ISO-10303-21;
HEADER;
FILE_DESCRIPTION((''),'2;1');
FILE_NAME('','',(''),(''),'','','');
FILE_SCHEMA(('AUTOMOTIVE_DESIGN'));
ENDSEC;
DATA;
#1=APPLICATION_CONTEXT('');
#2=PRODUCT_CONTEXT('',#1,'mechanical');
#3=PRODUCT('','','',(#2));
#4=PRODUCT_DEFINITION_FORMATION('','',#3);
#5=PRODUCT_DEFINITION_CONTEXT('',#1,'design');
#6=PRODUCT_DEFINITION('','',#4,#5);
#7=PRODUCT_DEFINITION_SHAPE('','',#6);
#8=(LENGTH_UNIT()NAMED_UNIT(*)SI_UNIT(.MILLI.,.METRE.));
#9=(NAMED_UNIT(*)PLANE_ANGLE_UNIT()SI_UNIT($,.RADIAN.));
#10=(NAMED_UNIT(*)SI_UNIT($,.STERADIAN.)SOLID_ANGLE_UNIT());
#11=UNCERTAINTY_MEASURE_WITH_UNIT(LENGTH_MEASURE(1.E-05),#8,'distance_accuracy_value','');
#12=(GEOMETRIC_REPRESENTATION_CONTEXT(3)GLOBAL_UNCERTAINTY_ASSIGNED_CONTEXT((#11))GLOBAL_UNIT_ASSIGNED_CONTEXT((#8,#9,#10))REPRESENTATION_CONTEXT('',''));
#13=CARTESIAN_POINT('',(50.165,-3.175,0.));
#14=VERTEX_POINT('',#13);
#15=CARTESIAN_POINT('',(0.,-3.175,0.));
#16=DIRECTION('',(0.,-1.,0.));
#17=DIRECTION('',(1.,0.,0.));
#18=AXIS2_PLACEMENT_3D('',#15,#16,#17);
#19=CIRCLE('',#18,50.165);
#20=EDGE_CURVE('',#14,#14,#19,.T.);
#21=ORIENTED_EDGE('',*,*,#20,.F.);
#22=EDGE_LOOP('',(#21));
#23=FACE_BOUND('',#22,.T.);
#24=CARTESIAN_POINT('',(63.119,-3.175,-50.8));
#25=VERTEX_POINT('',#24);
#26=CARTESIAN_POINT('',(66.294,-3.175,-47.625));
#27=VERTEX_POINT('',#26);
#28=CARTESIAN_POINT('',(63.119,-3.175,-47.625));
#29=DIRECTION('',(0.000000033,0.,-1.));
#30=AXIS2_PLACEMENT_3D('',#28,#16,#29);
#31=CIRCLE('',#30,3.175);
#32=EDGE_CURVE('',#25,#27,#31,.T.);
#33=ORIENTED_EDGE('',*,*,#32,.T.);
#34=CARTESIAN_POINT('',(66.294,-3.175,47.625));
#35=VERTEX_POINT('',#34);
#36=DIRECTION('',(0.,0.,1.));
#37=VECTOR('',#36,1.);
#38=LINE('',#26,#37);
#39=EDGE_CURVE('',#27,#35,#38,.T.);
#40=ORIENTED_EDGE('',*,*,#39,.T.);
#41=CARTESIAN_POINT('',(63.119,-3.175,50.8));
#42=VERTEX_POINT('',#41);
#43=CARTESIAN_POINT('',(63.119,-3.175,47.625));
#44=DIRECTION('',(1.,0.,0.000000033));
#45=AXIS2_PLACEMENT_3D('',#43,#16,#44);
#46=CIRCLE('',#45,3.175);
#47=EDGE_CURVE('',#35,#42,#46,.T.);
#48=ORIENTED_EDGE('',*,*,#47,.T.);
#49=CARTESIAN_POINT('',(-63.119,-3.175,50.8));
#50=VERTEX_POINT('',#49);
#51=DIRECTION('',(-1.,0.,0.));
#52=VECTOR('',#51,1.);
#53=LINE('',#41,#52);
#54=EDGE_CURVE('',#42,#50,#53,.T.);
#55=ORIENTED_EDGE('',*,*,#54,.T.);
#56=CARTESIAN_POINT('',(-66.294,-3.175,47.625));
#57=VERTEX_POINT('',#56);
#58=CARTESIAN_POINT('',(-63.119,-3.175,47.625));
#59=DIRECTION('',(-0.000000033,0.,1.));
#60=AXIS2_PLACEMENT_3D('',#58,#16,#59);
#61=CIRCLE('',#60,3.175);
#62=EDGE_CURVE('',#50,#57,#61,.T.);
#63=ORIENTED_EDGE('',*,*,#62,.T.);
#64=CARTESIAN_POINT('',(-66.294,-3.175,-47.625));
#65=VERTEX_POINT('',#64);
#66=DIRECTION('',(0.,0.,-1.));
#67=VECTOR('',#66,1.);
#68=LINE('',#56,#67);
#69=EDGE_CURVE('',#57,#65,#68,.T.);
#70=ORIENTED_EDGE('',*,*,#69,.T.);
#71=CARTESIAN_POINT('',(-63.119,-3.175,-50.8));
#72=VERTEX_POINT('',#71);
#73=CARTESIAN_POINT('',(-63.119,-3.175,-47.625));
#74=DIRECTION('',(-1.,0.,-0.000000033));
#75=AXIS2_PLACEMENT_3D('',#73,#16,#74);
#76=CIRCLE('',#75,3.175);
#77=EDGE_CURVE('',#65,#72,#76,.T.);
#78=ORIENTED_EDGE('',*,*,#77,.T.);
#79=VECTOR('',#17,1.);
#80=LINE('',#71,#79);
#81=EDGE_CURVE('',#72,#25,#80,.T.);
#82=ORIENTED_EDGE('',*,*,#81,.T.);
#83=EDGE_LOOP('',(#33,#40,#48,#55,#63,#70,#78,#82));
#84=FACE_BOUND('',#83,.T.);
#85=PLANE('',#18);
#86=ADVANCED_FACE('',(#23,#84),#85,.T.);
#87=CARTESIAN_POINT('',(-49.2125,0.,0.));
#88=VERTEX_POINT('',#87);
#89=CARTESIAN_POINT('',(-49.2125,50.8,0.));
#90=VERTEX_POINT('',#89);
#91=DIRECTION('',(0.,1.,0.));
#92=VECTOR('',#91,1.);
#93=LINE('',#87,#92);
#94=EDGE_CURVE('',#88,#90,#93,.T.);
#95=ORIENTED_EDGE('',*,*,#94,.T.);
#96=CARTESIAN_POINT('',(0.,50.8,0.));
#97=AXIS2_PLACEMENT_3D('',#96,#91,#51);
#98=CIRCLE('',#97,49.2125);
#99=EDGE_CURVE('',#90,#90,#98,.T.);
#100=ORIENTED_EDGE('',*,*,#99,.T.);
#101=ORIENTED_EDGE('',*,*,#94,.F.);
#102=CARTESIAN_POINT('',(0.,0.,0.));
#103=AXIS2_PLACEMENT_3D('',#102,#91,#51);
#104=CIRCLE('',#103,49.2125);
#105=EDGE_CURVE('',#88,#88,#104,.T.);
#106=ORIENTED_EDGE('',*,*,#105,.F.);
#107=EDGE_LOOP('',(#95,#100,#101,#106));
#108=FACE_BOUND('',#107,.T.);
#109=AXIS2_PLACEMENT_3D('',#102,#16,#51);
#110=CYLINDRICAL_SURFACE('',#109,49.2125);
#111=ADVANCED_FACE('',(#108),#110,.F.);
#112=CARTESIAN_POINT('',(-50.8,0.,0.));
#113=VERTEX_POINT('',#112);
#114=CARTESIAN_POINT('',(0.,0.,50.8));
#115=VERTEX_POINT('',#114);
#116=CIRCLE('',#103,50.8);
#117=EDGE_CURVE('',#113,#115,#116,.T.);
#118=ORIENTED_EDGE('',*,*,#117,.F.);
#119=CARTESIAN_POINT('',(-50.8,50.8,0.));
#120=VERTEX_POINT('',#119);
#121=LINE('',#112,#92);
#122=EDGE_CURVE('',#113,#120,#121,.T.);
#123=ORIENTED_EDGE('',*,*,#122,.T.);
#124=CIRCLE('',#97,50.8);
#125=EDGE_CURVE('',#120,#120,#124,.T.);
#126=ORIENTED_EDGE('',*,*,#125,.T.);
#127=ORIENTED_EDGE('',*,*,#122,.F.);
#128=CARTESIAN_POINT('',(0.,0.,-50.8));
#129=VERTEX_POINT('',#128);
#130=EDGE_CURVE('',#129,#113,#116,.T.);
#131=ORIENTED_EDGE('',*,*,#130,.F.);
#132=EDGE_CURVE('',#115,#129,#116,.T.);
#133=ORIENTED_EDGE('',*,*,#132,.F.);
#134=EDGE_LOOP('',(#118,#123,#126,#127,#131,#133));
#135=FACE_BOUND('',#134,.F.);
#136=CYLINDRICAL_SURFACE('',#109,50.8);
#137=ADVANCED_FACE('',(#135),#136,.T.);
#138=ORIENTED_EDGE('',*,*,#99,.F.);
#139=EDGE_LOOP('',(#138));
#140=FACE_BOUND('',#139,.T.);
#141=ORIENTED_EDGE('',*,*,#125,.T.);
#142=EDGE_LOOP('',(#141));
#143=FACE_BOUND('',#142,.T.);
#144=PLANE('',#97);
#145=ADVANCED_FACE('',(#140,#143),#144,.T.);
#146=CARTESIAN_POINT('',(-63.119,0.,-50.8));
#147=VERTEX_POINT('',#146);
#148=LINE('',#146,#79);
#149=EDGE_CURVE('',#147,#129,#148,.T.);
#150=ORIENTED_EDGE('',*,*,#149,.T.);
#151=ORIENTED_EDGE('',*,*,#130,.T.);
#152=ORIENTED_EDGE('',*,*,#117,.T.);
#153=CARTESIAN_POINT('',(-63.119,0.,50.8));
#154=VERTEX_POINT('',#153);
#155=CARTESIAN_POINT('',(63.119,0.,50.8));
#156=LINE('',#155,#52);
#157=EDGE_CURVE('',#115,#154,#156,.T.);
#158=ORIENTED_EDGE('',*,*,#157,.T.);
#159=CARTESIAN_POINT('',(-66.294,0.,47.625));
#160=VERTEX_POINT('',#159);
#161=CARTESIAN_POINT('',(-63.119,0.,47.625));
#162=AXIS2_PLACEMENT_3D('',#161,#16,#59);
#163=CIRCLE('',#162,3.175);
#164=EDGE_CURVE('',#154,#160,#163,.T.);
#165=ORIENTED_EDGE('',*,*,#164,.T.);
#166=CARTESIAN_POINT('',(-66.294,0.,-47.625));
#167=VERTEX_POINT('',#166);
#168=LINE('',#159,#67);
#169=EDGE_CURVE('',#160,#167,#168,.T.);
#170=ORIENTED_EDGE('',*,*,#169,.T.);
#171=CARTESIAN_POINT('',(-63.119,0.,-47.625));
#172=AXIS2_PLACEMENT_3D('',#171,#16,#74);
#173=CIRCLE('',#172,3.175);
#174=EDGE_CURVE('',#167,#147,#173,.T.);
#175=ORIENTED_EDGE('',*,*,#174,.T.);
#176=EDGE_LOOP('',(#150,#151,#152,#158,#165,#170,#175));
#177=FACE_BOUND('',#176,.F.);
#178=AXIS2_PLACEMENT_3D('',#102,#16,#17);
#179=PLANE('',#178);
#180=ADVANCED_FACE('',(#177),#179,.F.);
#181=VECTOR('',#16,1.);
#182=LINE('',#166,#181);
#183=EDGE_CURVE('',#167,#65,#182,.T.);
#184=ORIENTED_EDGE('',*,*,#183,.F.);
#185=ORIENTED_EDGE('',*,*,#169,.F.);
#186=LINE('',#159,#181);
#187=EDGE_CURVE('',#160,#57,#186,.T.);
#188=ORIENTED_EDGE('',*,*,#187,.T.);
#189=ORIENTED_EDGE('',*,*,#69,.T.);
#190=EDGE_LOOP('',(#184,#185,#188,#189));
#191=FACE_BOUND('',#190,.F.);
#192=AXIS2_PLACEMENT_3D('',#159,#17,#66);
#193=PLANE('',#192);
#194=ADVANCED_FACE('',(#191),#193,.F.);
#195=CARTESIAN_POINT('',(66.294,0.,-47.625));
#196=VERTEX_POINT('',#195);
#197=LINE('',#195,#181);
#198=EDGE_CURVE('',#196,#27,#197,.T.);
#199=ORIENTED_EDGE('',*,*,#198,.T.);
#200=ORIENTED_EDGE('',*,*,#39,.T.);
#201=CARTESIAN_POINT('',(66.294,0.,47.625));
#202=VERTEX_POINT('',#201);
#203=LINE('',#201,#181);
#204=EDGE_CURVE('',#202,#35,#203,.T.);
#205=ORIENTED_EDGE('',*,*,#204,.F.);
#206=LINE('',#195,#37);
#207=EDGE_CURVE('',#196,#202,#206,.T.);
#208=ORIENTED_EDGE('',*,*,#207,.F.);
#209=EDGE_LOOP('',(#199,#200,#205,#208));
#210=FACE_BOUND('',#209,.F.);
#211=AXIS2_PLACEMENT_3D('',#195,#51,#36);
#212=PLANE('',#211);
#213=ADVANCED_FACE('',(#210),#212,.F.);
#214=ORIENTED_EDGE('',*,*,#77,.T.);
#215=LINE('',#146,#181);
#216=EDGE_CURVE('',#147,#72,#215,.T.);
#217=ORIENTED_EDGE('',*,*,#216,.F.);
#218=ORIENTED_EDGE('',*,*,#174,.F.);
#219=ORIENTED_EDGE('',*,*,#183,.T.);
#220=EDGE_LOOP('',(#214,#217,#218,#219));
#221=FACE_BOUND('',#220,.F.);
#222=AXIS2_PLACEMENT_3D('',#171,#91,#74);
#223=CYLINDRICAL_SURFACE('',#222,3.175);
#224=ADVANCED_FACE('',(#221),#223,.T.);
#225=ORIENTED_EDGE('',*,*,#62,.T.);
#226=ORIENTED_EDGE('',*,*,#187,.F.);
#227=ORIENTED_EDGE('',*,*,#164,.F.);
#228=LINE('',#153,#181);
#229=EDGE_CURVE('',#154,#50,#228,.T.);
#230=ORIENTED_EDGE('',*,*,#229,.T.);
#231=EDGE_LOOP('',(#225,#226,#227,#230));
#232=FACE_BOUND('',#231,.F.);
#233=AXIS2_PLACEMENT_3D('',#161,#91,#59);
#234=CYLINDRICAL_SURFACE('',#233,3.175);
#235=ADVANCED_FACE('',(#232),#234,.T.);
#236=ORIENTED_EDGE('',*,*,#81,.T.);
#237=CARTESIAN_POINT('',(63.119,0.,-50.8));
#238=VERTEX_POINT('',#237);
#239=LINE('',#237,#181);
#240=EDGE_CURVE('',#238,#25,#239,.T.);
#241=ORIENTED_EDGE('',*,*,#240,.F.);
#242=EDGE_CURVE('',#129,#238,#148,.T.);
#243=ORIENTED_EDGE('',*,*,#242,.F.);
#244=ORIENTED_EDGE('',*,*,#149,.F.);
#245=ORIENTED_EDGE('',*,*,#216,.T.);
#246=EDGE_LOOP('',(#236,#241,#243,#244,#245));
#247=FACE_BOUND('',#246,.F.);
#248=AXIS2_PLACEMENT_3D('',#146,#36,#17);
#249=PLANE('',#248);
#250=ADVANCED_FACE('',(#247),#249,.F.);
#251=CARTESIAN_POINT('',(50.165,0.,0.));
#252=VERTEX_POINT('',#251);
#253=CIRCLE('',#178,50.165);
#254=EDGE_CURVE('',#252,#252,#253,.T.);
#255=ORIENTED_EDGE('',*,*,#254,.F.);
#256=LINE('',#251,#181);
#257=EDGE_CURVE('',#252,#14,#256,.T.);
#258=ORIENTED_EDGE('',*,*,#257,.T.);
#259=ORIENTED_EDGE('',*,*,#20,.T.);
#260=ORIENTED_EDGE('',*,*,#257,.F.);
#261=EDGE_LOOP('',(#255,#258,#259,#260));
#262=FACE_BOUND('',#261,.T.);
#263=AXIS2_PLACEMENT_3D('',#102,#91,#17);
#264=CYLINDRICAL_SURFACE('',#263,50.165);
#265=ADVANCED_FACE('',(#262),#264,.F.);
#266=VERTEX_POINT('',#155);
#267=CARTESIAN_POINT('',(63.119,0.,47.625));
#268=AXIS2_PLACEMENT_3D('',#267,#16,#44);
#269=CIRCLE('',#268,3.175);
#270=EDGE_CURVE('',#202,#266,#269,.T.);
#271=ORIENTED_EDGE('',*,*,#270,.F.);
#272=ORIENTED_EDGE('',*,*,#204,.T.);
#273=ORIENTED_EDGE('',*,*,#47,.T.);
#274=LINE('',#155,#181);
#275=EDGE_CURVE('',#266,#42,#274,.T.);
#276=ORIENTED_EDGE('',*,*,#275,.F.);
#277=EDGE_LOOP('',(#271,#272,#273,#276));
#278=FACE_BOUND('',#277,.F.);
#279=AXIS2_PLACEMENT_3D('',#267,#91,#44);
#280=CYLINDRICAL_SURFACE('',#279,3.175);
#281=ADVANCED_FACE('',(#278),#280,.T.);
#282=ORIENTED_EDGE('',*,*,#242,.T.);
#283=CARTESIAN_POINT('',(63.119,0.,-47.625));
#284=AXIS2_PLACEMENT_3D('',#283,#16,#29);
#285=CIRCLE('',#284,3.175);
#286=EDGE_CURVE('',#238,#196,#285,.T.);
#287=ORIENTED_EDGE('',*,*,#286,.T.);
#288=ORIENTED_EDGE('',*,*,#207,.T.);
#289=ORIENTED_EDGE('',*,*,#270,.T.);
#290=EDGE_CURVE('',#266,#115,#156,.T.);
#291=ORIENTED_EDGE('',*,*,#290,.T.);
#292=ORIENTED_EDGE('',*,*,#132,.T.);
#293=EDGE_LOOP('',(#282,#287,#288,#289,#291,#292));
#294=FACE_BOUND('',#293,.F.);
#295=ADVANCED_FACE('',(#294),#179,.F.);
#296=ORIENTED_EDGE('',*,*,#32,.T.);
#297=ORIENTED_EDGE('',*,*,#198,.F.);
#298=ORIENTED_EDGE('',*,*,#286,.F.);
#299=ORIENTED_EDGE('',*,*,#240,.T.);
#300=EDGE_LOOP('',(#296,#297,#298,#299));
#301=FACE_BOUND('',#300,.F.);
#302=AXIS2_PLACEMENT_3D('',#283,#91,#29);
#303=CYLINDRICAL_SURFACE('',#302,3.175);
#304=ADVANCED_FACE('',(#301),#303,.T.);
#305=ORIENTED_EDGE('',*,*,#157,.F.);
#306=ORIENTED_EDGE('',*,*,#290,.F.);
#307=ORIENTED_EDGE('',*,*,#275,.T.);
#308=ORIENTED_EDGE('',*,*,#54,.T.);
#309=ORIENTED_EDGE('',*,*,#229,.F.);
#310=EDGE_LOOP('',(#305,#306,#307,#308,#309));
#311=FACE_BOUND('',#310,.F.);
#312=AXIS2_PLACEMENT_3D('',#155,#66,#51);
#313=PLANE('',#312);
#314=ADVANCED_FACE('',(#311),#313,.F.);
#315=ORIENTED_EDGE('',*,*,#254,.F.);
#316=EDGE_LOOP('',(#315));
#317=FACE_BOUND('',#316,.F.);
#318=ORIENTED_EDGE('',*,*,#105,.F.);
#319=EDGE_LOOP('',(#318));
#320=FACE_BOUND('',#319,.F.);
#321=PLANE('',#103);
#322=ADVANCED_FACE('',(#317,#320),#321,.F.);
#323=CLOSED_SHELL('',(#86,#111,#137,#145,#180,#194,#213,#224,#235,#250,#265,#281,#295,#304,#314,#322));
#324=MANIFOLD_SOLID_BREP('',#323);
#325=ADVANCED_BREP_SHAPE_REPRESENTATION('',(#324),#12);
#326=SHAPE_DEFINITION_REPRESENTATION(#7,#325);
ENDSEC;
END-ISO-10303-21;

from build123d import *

# Parameters (mm, degrees)
F0_R     = 50.165
F1_DEPTH = 3.175
F2_R     = 50.8
F2_R_2   = 49.2125
F3_DEPTH = 50.8


with BuildPart() as f1:
    # F0 (on Front) → F1 (new body)
    with BuildSketch(Plane.XZ):
        with BuildLine():
            Line((63.119, 50.8), (-63.119, 50.8))
            ThreePointArc((-63.119, 50.8), (-65.364064, 49.870064), (-66.294, 47.625))
            Line((-66.294, 47.625), (-66.294, -47.625))
            ThreePointArc((-66.294, -47.625), (-65.364064, -49.870064), (-63.119, -50.8))
            Line((-63.119, -50.8), (63.119, -50.8))
            ThreePointArc((63.119, -50.8), (65.364064, -49.870064), (66.294, -47.625))
            Line((66.294, -47.625), (66.294, 47.625))
            ThreePointArc((66.294, 47.625), (65.364064, 49.870064), (63.119, 50.8))
        make_face()
        Circle(F0_R, mode=Mode.SUBTRACT)
    extrude(amount=F1_DEPTH)

    # F2 (on face) → F3 (join)
    with BuildSketch(Plane(origin=(0, 0, 0), x_dir=(-1, 0, 0), z_dir=(0, 1, 0))):
        Circle(F2_R)
        Circle(F2_R_2, mode=Mode.SUBTRACT)
    extrude(amount=F3_DEPTH)


solid = f1.part
